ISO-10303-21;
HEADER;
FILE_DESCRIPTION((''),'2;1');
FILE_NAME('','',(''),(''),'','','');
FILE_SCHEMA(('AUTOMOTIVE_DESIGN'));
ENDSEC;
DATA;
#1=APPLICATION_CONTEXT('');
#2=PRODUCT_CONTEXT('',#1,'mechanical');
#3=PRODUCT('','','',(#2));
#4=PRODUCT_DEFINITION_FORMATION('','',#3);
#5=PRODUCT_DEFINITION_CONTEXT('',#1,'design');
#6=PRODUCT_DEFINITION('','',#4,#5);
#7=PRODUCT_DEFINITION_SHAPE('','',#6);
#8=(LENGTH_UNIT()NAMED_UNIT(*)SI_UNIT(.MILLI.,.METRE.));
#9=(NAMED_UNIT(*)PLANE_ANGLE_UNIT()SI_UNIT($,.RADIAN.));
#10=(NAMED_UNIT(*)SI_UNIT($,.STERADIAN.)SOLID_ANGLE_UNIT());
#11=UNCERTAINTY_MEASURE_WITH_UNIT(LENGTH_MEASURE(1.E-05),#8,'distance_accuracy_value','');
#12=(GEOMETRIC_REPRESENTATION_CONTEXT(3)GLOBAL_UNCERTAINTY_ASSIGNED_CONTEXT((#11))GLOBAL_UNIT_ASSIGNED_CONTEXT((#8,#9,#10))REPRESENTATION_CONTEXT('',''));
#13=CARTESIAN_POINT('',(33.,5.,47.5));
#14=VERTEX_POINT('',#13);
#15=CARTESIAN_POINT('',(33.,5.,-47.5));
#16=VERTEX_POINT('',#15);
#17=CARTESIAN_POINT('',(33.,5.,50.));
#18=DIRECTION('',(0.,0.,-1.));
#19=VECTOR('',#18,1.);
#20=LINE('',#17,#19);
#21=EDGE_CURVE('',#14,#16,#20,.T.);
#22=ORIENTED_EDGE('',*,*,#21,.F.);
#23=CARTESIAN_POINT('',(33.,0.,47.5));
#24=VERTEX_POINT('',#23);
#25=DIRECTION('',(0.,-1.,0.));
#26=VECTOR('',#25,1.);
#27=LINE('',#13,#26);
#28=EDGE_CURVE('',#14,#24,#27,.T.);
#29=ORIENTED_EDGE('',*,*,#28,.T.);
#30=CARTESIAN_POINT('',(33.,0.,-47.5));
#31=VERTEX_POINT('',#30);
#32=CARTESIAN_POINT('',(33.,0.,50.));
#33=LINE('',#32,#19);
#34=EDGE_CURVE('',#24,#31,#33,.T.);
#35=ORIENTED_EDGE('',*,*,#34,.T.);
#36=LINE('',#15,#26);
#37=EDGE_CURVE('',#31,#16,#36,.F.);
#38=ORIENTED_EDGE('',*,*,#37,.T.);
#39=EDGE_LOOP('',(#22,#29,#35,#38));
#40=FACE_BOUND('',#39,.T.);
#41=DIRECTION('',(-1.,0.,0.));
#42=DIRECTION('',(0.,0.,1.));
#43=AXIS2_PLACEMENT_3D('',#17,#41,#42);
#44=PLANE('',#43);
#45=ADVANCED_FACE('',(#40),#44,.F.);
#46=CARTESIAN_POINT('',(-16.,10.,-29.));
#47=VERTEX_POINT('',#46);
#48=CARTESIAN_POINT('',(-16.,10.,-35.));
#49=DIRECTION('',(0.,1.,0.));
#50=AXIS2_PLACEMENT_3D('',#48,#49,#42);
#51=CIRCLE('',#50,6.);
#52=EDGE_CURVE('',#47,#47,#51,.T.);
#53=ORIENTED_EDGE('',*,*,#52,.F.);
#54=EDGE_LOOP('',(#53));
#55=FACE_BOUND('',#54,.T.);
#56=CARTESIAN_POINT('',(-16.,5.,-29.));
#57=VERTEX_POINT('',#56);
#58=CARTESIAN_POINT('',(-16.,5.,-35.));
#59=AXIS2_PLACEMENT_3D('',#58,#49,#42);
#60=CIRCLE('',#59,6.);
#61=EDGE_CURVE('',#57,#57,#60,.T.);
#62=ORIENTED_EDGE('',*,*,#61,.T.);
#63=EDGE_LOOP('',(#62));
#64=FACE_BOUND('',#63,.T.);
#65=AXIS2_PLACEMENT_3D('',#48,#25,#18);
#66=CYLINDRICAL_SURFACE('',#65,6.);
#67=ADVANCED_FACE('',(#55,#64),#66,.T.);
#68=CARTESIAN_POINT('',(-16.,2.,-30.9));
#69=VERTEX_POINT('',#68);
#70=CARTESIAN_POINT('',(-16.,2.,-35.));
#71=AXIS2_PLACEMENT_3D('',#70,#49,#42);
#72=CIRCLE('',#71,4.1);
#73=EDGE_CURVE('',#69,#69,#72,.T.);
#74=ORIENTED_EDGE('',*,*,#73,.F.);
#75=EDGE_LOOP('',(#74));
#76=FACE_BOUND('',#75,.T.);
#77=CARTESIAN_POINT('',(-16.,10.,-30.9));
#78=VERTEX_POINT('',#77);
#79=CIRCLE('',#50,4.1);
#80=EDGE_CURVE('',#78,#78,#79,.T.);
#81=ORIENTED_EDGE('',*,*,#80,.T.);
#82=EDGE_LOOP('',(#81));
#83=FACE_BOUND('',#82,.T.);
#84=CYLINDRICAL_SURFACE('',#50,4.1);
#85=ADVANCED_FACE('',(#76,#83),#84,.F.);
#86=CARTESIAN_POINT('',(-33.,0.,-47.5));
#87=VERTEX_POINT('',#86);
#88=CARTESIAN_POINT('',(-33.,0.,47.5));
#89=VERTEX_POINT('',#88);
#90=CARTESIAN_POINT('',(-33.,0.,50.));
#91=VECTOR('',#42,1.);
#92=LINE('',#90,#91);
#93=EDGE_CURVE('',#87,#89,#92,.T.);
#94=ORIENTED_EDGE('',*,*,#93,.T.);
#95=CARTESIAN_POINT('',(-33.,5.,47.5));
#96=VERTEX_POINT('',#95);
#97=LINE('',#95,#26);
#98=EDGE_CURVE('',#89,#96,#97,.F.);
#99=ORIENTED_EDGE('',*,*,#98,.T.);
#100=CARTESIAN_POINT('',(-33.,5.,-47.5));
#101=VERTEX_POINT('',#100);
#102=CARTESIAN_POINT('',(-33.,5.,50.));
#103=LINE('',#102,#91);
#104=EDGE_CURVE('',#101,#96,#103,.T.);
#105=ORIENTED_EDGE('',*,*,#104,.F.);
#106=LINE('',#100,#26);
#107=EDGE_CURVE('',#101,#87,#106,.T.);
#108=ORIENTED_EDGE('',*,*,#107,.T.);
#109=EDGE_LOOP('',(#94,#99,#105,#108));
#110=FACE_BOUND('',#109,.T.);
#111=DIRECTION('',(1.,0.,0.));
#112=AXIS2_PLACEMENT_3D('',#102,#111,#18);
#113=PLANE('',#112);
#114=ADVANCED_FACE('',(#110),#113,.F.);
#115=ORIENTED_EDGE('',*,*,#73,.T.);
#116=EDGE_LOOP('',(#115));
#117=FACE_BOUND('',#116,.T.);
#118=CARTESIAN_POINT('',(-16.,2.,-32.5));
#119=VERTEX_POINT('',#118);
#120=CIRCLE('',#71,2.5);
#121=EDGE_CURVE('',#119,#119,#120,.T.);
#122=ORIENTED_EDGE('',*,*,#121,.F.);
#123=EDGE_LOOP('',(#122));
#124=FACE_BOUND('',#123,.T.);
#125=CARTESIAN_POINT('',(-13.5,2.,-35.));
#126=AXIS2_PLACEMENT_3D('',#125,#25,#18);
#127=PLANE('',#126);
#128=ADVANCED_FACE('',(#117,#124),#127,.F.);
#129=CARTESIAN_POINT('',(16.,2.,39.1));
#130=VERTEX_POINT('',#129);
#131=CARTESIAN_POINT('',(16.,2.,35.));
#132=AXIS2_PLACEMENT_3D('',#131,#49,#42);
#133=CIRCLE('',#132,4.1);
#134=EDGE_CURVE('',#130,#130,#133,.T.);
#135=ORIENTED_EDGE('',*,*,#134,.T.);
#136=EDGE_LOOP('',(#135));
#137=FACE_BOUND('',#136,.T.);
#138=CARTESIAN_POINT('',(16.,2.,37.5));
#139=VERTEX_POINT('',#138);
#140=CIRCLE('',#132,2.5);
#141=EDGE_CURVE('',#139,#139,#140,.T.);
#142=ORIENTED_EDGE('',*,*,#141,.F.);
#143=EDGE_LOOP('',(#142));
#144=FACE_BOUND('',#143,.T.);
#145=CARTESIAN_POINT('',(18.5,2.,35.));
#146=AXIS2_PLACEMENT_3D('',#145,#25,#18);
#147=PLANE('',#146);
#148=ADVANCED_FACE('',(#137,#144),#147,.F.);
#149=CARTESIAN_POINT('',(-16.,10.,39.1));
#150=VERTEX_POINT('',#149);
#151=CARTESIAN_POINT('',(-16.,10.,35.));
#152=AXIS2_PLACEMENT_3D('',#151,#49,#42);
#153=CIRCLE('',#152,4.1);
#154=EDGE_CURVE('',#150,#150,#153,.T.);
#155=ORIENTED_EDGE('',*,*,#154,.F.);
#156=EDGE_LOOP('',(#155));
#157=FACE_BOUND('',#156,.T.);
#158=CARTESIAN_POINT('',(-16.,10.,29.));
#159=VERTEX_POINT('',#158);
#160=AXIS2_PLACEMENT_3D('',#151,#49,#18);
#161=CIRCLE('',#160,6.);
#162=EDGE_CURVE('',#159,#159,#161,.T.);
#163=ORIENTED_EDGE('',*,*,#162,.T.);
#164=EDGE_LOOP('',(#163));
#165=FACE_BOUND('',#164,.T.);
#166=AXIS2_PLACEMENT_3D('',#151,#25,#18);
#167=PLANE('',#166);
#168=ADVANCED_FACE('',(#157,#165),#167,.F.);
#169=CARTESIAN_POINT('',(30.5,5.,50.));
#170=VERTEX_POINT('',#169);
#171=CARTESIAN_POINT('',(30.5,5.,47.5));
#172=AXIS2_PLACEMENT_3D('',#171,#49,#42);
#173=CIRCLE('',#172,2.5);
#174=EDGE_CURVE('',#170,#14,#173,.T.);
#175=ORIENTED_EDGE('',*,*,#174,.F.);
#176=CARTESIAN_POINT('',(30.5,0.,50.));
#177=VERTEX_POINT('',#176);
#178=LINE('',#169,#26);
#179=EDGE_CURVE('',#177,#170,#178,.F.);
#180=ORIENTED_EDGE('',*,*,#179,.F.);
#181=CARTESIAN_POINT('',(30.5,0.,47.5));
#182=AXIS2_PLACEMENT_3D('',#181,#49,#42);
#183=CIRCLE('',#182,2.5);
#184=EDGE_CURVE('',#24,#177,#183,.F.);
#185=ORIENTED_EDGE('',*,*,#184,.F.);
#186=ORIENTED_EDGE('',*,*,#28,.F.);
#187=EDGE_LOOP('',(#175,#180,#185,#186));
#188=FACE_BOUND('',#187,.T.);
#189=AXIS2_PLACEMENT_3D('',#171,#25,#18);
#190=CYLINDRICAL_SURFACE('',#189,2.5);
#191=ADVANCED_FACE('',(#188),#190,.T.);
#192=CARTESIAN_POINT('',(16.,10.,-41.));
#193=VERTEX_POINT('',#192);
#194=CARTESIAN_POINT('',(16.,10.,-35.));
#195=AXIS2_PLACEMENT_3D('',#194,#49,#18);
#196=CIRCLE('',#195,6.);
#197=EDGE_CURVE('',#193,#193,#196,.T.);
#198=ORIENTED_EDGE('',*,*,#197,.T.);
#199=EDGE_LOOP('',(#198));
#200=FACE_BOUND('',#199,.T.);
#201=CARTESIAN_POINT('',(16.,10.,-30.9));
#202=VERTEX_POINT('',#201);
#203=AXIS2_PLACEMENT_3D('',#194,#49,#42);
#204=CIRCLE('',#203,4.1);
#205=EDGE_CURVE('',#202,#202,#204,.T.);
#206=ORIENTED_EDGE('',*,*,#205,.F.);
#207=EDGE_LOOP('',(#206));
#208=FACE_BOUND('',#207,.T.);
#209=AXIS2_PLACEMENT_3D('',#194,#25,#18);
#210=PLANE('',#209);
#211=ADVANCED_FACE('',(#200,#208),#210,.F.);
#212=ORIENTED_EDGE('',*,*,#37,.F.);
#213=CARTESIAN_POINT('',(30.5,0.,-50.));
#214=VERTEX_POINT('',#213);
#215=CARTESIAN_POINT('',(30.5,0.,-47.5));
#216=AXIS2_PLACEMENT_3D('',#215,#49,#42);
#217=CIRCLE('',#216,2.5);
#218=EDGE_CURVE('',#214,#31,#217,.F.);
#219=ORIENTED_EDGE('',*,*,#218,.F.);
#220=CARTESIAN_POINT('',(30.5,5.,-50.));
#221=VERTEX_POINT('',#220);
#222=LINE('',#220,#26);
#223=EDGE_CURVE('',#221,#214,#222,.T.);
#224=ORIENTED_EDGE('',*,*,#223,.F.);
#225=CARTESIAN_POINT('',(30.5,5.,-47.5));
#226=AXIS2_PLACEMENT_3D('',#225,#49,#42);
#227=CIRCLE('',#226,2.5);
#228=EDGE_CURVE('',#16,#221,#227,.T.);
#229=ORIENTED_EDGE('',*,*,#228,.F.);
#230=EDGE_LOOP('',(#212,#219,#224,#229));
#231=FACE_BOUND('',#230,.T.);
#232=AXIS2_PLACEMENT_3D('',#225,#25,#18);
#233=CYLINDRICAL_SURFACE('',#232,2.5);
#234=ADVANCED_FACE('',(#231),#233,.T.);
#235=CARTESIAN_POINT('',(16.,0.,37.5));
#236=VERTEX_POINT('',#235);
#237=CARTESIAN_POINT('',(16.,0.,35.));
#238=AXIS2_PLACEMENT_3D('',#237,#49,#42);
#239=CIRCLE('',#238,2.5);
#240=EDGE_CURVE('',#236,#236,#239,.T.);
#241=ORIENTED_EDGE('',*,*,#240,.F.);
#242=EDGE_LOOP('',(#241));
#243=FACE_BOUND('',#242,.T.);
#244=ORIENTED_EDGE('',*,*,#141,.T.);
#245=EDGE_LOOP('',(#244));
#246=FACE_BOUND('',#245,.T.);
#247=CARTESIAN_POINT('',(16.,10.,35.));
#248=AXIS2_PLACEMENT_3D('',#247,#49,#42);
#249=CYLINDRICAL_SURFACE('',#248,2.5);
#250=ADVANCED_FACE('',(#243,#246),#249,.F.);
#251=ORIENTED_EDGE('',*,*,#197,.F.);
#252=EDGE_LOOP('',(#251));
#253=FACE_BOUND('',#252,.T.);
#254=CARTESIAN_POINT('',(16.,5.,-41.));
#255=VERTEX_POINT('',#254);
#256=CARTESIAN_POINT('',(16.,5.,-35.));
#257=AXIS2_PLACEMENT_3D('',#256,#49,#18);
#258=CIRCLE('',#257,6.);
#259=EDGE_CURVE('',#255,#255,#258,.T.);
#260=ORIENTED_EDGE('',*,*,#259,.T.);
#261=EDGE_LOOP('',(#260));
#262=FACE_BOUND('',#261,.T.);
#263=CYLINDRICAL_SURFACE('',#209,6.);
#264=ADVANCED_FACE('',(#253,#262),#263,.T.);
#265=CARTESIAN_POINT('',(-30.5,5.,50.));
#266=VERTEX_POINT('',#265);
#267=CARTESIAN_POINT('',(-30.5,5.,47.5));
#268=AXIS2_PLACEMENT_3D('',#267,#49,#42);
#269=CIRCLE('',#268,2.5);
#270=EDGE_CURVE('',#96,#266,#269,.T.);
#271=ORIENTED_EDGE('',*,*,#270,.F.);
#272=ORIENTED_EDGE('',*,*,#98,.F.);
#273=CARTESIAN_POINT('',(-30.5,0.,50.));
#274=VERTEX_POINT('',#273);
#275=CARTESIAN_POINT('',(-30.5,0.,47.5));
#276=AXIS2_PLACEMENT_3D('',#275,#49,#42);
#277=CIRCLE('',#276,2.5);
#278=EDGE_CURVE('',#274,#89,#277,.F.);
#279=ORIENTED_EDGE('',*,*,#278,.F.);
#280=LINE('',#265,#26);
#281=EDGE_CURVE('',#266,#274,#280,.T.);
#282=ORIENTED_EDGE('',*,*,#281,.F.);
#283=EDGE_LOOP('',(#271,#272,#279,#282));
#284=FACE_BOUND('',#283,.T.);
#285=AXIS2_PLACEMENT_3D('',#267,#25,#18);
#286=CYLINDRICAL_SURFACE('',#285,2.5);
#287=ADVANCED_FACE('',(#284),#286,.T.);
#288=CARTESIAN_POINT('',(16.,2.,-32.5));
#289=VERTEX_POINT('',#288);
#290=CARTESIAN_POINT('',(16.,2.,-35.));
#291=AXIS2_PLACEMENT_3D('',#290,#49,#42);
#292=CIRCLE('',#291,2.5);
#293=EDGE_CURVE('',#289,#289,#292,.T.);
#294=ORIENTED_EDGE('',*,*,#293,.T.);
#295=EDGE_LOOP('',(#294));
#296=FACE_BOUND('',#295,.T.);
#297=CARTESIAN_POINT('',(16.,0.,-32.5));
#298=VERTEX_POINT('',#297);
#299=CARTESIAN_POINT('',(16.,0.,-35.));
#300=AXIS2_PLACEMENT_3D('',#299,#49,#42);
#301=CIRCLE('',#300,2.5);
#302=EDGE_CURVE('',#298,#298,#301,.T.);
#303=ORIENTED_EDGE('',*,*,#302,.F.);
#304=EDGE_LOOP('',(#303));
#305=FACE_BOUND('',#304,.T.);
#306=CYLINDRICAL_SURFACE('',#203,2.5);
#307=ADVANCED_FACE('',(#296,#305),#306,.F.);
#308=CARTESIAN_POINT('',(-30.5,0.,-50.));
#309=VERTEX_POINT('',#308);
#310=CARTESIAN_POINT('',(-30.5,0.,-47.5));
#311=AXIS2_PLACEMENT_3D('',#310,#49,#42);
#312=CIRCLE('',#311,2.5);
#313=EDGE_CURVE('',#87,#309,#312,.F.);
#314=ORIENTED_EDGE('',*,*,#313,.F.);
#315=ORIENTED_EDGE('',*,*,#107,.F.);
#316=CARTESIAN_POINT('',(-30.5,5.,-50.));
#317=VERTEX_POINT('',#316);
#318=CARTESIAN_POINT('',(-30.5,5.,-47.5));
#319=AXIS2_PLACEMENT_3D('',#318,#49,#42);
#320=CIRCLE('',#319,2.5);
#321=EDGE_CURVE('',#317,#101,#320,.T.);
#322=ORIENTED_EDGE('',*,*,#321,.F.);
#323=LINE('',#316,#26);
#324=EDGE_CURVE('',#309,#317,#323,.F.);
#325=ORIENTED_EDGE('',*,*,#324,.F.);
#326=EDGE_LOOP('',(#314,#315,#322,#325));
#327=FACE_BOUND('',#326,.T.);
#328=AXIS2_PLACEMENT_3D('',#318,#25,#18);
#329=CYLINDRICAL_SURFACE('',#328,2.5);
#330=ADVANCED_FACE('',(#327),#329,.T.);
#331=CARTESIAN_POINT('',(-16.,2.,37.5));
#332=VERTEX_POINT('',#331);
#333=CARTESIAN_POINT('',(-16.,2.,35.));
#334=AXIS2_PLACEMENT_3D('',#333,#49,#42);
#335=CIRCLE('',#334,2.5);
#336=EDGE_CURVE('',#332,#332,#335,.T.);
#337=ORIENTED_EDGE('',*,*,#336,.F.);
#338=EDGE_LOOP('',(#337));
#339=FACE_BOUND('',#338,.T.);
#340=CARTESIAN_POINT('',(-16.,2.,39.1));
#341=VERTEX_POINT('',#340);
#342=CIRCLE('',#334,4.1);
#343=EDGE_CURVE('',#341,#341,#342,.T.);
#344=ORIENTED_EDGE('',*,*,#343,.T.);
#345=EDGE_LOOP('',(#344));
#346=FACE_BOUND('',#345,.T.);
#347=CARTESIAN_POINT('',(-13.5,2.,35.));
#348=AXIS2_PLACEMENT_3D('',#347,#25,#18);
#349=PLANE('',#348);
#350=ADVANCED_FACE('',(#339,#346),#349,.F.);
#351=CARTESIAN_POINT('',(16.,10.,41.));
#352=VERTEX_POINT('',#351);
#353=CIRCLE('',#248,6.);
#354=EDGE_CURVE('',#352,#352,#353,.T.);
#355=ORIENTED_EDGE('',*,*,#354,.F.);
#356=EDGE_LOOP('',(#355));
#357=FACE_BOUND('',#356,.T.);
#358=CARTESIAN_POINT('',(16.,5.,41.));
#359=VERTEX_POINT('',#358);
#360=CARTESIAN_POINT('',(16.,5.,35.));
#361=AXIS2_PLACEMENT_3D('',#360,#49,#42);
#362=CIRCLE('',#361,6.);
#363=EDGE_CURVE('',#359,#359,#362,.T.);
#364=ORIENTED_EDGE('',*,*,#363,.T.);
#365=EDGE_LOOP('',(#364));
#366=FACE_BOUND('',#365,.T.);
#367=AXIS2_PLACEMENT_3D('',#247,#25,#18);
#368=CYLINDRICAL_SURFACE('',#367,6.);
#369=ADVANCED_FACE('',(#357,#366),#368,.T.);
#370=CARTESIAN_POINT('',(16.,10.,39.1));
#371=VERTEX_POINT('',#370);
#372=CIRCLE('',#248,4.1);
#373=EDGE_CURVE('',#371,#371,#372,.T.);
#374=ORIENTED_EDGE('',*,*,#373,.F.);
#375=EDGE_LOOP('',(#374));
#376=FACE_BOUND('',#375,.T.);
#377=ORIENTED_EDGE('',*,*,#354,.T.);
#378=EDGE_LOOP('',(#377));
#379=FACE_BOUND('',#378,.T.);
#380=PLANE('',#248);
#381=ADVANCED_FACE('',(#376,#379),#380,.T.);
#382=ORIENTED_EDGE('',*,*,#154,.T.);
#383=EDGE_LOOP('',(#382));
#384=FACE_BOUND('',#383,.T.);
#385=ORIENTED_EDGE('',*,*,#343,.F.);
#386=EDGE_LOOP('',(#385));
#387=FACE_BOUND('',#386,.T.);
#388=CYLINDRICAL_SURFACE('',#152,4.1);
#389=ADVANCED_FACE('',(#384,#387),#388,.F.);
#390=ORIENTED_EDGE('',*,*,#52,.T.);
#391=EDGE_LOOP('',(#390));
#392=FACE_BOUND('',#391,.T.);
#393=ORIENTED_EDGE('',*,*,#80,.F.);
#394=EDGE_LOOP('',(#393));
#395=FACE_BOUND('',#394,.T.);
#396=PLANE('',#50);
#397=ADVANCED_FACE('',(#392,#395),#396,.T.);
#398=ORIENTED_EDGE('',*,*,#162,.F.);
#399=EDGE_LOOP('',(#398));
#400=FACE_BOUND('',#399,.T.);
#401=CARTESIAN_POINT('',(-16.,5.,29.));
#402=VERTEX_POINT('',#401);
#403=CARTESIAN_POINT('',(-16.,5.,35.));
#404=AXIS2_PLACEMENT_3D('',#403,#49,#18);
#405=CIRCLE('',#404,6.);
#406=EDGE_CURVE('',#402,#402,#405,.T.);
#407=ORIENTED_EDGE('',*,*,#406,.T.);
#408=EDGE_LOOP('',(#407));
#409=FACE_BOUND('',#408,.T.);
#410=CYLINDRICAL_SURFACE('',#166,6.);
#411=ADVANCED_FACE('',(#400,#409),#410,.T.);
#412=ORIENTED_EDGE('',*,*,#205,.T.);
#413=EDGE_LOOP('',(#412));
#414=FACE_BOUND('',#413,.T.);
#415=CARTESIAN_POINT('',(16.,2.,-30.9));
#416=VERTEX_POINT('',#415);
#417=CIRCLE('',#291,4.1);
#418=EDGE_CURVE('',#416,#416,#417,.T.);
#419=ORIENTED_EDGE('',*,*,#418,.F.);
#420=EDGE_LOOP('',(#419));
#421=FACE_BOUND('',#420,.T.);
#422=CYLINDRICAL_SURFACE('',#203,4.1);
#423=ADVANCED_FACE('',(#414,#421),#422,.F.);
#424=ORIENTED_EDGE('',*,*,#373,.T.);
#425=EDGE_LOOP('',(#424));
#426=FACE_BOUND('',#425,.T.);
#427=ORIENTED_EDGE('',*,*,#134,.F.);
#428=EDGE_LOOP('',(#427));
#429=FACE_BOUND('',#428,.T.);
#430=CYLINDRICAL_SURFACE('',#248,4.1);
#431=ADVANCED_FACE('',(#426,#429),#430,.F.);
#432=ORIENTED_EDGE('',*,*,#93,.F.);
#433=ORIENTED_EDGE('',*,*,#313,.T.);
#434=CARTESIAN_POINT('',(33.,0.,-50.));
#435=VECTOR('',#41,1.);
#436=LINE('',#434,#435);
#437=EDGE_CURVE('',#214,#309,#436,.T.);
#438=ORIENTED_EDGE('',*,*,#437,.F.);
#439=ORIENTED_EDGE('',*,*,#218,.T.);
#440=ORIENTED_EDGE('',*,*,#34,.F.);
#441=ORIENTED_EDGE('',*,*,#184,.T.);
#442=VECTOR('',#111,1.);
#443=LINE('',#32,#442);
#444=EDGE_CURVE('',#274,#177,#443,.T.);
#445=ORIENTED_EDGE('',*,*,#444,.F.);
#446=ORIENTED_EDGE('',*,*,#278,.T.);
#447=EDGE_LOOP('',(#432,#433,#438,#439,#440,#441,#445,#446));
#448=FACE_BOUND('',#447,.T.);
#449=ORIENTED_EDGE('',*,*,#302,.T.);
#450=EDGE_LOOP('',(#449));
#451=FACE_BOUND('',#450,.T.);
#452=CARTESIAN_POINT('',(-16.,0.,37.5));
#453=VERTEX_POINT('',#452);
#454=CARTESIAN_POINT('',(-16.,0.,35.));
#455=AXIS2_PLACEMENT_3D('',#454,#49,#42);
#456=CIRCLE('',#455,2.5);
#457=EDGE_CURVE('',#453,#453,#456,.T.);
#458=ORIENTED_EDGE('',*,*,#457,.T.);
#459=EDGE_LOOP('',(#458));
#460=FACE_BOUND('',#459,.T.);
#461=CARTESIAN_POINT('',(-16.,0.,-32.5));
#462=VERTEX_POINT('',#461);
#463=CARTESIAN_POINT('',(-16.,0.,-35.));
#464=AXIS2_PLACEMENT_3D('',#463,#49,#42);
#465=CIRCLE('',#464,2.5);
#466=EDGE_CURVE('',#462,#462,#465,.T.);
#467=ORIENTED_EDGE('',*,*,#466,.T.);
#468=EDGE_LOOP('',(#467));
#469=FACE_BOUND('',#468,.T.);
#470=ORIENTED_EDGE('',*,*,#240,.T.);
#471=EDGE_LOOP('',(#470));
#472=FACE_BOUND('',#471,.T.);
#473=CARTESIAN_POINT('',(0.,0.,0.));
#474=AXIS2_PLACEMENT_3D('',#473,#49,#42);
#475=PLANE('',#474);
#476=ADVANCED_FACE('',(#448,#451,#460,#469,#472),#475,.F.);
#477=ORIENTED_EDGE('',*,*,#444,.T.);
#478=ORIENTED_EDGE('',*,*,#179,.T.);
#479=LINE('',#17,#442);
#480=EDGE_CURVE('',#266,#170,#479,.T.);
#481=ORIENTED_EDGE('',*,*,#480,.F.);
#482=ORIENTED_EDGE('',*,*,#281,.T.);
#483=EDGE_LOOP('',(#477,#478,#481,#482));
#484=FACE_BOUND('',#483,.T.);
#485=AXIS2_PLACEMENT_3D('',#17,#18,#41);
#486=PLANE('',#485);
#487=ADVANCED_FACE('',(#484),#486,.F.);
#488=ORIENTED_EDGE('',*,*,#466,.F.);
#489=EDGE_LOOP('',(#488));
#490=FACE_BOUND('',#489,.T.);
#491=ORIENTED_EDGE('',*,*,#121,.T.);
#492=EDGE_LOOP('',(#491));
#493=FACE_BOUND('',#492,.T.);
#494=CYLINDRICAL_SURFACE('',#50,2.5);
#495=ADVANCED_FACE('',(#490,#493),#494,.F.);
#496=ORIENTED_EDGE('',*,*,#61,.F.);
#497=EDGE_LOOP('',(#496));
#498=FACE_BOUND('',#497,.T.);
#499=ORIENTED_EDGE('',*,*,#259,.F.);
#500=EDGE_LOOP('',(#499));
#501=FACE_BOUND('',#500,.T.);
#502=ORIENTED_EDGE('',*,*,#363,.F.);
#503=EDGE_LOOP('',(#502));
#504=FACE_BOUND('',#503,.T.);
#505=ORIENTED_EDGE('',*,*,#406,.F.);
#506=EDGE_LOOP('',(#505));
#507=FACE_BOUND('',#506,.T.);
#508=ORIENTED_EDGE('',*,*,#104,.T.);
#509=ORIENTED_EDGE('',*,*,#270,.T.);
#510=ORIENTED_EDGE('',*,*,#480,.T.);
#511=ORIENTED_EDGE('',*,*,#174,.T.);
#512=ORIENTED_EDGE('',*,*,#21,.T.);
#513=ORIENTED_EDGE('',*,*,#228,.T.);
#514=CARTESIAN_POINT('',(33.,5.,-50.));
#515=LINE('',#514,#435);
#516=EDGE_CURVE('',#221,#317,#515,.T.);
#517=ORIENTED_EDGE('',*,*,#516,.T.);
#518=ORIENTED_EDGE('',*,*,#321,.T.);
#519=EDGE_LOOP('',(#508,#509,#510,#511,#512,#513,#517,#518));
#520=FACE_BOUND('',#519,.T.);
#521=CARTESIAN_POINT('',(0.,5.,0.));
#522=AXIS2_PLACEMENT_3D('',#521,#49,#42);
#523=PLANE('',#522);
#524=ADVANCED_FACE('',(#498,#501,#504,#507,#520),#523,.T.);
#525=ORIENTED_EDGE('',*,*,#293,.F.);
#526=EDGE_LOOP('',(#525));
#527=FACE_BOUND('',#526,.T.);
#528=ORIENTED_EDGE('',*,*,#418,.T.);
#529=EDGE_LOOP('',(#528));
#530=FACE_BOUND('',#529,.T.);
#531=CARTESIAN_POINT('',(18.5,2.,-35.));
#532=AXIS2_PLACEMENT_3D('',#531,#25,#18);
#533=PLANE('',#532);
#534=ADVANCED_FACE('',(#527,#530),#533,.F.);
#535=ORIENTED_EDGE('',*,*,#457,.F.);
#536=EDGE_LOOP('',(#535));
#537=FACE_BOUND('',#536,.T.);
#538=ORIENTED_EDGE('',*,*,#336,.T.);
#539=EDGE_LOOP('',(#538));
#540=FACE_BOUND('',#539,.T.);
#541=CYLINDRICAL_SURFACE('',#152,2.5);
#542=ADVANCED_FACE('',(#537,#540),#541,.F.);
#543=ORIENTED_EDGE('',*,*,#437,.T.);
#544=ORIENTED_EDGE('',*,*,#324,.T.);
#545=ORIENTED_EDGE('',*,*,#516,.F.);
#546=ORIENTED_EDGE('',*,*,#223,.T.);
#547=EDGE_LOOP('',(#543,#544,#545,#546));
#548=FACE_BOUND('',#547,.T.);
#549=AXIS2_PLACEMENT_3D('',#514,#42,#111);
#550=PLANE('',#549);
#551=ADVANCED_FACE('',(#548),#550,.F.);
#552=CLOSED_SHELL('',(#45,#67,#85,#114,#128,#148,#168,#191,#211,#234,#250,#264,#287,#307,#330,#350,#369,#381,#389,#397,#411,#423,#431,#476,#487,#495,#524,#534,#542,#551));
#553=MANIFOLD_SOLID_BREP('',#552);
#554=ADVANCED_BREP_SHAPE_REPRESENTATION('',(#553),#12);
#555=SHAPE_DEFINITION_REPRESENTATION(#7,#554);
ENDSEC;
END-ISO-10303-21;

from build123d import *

# Parameters (mm, degrees)
SKETCH1_W                               = 66
SKETCH1_H                               = 100
BOSS_EXTRUDE1_DEPTH                     = 5
SKETCH2_R                               = 6
BOSS_EXTRUDE2_DEPTH                     = 5
CBORE_FOR_M5_HEX_HEAD_BOLT1_D           = 5
CBORE_FOR_M5_HEX_HEAD_BOLT1_CBORE_D     = 8.2
CBORE_FOR_M5_HEX_HEAD_BOLT1_CBORE_DEPTH = 8
FILLET1_R                               = 2.5


with BuildPart() as part:
    # Sketch1 → Boss-Extrude1 (new body)
    with BuildSketch(Plane(origin=(0, 0, 0), x_dir=(1, 0, 0), z_dir=(0, 1, 0))):
        Rectangle(SKETCH1_W, SKETCH1_H)
    extrude(amount=BOSS_EXTRUDE1_DEPTH)

    # Sketch2 → Boss-Extrude2 (add)
    with BuildSketch(Plane(origin=(0, 5, 0), x_dir=(1, 0, 0), z_dir=(0, 1, 0))):
        with Locations(Location((-16, 35, 0), (0, 0, 270))):
            Circle(SKETCH2_R)
        with Locations(Location((16, 35, 0), (0, 0, 90))):
            Circle(SKETCH2_R)
        with Locations(Location((16, -35, 0), (0, 0, 270))):
            Circle(SKETCH2_R)
        with Locations(Location((-16, -35, 0), (0, 0, 90))):
            Circle(SKETCH2_R)
    extrude(amount=BOSS_EXTRUDE2_DEPTH)

    # CBORE for M5 Hex Head Bolt1 (through all)
    with Locations(Plane(origin=(0, 10, 0), x_dir=(1, 0, 0), z_dir=(0, 1, 0))):
        with Locations((-16, 35), (16, 35), (16, -35), (-16, -35)):
            CounterBoreHole(CBORE_FOR_M5_HEX_HEAD_BOLT1_D / 2, CBORE_FOR_M5_HEX_HEAD_BOLT1_CBORE_D / 2, CBORE_FOR_M5_HEX_HEAD_BOLT1_CBORE_DEPTH)

    # Fillet1
    fillet1_edges = [part.edges().sort_by_distance(p)[0] for p in [
        (-33, 2.5, -50),
        (33, 2.5, -50),
        (33, 2.5, 50),
        (-33, 2.5, 50),
    ]]
    fillet(fillet1_edges, radius=FILLET1_R)


solid = part.part
